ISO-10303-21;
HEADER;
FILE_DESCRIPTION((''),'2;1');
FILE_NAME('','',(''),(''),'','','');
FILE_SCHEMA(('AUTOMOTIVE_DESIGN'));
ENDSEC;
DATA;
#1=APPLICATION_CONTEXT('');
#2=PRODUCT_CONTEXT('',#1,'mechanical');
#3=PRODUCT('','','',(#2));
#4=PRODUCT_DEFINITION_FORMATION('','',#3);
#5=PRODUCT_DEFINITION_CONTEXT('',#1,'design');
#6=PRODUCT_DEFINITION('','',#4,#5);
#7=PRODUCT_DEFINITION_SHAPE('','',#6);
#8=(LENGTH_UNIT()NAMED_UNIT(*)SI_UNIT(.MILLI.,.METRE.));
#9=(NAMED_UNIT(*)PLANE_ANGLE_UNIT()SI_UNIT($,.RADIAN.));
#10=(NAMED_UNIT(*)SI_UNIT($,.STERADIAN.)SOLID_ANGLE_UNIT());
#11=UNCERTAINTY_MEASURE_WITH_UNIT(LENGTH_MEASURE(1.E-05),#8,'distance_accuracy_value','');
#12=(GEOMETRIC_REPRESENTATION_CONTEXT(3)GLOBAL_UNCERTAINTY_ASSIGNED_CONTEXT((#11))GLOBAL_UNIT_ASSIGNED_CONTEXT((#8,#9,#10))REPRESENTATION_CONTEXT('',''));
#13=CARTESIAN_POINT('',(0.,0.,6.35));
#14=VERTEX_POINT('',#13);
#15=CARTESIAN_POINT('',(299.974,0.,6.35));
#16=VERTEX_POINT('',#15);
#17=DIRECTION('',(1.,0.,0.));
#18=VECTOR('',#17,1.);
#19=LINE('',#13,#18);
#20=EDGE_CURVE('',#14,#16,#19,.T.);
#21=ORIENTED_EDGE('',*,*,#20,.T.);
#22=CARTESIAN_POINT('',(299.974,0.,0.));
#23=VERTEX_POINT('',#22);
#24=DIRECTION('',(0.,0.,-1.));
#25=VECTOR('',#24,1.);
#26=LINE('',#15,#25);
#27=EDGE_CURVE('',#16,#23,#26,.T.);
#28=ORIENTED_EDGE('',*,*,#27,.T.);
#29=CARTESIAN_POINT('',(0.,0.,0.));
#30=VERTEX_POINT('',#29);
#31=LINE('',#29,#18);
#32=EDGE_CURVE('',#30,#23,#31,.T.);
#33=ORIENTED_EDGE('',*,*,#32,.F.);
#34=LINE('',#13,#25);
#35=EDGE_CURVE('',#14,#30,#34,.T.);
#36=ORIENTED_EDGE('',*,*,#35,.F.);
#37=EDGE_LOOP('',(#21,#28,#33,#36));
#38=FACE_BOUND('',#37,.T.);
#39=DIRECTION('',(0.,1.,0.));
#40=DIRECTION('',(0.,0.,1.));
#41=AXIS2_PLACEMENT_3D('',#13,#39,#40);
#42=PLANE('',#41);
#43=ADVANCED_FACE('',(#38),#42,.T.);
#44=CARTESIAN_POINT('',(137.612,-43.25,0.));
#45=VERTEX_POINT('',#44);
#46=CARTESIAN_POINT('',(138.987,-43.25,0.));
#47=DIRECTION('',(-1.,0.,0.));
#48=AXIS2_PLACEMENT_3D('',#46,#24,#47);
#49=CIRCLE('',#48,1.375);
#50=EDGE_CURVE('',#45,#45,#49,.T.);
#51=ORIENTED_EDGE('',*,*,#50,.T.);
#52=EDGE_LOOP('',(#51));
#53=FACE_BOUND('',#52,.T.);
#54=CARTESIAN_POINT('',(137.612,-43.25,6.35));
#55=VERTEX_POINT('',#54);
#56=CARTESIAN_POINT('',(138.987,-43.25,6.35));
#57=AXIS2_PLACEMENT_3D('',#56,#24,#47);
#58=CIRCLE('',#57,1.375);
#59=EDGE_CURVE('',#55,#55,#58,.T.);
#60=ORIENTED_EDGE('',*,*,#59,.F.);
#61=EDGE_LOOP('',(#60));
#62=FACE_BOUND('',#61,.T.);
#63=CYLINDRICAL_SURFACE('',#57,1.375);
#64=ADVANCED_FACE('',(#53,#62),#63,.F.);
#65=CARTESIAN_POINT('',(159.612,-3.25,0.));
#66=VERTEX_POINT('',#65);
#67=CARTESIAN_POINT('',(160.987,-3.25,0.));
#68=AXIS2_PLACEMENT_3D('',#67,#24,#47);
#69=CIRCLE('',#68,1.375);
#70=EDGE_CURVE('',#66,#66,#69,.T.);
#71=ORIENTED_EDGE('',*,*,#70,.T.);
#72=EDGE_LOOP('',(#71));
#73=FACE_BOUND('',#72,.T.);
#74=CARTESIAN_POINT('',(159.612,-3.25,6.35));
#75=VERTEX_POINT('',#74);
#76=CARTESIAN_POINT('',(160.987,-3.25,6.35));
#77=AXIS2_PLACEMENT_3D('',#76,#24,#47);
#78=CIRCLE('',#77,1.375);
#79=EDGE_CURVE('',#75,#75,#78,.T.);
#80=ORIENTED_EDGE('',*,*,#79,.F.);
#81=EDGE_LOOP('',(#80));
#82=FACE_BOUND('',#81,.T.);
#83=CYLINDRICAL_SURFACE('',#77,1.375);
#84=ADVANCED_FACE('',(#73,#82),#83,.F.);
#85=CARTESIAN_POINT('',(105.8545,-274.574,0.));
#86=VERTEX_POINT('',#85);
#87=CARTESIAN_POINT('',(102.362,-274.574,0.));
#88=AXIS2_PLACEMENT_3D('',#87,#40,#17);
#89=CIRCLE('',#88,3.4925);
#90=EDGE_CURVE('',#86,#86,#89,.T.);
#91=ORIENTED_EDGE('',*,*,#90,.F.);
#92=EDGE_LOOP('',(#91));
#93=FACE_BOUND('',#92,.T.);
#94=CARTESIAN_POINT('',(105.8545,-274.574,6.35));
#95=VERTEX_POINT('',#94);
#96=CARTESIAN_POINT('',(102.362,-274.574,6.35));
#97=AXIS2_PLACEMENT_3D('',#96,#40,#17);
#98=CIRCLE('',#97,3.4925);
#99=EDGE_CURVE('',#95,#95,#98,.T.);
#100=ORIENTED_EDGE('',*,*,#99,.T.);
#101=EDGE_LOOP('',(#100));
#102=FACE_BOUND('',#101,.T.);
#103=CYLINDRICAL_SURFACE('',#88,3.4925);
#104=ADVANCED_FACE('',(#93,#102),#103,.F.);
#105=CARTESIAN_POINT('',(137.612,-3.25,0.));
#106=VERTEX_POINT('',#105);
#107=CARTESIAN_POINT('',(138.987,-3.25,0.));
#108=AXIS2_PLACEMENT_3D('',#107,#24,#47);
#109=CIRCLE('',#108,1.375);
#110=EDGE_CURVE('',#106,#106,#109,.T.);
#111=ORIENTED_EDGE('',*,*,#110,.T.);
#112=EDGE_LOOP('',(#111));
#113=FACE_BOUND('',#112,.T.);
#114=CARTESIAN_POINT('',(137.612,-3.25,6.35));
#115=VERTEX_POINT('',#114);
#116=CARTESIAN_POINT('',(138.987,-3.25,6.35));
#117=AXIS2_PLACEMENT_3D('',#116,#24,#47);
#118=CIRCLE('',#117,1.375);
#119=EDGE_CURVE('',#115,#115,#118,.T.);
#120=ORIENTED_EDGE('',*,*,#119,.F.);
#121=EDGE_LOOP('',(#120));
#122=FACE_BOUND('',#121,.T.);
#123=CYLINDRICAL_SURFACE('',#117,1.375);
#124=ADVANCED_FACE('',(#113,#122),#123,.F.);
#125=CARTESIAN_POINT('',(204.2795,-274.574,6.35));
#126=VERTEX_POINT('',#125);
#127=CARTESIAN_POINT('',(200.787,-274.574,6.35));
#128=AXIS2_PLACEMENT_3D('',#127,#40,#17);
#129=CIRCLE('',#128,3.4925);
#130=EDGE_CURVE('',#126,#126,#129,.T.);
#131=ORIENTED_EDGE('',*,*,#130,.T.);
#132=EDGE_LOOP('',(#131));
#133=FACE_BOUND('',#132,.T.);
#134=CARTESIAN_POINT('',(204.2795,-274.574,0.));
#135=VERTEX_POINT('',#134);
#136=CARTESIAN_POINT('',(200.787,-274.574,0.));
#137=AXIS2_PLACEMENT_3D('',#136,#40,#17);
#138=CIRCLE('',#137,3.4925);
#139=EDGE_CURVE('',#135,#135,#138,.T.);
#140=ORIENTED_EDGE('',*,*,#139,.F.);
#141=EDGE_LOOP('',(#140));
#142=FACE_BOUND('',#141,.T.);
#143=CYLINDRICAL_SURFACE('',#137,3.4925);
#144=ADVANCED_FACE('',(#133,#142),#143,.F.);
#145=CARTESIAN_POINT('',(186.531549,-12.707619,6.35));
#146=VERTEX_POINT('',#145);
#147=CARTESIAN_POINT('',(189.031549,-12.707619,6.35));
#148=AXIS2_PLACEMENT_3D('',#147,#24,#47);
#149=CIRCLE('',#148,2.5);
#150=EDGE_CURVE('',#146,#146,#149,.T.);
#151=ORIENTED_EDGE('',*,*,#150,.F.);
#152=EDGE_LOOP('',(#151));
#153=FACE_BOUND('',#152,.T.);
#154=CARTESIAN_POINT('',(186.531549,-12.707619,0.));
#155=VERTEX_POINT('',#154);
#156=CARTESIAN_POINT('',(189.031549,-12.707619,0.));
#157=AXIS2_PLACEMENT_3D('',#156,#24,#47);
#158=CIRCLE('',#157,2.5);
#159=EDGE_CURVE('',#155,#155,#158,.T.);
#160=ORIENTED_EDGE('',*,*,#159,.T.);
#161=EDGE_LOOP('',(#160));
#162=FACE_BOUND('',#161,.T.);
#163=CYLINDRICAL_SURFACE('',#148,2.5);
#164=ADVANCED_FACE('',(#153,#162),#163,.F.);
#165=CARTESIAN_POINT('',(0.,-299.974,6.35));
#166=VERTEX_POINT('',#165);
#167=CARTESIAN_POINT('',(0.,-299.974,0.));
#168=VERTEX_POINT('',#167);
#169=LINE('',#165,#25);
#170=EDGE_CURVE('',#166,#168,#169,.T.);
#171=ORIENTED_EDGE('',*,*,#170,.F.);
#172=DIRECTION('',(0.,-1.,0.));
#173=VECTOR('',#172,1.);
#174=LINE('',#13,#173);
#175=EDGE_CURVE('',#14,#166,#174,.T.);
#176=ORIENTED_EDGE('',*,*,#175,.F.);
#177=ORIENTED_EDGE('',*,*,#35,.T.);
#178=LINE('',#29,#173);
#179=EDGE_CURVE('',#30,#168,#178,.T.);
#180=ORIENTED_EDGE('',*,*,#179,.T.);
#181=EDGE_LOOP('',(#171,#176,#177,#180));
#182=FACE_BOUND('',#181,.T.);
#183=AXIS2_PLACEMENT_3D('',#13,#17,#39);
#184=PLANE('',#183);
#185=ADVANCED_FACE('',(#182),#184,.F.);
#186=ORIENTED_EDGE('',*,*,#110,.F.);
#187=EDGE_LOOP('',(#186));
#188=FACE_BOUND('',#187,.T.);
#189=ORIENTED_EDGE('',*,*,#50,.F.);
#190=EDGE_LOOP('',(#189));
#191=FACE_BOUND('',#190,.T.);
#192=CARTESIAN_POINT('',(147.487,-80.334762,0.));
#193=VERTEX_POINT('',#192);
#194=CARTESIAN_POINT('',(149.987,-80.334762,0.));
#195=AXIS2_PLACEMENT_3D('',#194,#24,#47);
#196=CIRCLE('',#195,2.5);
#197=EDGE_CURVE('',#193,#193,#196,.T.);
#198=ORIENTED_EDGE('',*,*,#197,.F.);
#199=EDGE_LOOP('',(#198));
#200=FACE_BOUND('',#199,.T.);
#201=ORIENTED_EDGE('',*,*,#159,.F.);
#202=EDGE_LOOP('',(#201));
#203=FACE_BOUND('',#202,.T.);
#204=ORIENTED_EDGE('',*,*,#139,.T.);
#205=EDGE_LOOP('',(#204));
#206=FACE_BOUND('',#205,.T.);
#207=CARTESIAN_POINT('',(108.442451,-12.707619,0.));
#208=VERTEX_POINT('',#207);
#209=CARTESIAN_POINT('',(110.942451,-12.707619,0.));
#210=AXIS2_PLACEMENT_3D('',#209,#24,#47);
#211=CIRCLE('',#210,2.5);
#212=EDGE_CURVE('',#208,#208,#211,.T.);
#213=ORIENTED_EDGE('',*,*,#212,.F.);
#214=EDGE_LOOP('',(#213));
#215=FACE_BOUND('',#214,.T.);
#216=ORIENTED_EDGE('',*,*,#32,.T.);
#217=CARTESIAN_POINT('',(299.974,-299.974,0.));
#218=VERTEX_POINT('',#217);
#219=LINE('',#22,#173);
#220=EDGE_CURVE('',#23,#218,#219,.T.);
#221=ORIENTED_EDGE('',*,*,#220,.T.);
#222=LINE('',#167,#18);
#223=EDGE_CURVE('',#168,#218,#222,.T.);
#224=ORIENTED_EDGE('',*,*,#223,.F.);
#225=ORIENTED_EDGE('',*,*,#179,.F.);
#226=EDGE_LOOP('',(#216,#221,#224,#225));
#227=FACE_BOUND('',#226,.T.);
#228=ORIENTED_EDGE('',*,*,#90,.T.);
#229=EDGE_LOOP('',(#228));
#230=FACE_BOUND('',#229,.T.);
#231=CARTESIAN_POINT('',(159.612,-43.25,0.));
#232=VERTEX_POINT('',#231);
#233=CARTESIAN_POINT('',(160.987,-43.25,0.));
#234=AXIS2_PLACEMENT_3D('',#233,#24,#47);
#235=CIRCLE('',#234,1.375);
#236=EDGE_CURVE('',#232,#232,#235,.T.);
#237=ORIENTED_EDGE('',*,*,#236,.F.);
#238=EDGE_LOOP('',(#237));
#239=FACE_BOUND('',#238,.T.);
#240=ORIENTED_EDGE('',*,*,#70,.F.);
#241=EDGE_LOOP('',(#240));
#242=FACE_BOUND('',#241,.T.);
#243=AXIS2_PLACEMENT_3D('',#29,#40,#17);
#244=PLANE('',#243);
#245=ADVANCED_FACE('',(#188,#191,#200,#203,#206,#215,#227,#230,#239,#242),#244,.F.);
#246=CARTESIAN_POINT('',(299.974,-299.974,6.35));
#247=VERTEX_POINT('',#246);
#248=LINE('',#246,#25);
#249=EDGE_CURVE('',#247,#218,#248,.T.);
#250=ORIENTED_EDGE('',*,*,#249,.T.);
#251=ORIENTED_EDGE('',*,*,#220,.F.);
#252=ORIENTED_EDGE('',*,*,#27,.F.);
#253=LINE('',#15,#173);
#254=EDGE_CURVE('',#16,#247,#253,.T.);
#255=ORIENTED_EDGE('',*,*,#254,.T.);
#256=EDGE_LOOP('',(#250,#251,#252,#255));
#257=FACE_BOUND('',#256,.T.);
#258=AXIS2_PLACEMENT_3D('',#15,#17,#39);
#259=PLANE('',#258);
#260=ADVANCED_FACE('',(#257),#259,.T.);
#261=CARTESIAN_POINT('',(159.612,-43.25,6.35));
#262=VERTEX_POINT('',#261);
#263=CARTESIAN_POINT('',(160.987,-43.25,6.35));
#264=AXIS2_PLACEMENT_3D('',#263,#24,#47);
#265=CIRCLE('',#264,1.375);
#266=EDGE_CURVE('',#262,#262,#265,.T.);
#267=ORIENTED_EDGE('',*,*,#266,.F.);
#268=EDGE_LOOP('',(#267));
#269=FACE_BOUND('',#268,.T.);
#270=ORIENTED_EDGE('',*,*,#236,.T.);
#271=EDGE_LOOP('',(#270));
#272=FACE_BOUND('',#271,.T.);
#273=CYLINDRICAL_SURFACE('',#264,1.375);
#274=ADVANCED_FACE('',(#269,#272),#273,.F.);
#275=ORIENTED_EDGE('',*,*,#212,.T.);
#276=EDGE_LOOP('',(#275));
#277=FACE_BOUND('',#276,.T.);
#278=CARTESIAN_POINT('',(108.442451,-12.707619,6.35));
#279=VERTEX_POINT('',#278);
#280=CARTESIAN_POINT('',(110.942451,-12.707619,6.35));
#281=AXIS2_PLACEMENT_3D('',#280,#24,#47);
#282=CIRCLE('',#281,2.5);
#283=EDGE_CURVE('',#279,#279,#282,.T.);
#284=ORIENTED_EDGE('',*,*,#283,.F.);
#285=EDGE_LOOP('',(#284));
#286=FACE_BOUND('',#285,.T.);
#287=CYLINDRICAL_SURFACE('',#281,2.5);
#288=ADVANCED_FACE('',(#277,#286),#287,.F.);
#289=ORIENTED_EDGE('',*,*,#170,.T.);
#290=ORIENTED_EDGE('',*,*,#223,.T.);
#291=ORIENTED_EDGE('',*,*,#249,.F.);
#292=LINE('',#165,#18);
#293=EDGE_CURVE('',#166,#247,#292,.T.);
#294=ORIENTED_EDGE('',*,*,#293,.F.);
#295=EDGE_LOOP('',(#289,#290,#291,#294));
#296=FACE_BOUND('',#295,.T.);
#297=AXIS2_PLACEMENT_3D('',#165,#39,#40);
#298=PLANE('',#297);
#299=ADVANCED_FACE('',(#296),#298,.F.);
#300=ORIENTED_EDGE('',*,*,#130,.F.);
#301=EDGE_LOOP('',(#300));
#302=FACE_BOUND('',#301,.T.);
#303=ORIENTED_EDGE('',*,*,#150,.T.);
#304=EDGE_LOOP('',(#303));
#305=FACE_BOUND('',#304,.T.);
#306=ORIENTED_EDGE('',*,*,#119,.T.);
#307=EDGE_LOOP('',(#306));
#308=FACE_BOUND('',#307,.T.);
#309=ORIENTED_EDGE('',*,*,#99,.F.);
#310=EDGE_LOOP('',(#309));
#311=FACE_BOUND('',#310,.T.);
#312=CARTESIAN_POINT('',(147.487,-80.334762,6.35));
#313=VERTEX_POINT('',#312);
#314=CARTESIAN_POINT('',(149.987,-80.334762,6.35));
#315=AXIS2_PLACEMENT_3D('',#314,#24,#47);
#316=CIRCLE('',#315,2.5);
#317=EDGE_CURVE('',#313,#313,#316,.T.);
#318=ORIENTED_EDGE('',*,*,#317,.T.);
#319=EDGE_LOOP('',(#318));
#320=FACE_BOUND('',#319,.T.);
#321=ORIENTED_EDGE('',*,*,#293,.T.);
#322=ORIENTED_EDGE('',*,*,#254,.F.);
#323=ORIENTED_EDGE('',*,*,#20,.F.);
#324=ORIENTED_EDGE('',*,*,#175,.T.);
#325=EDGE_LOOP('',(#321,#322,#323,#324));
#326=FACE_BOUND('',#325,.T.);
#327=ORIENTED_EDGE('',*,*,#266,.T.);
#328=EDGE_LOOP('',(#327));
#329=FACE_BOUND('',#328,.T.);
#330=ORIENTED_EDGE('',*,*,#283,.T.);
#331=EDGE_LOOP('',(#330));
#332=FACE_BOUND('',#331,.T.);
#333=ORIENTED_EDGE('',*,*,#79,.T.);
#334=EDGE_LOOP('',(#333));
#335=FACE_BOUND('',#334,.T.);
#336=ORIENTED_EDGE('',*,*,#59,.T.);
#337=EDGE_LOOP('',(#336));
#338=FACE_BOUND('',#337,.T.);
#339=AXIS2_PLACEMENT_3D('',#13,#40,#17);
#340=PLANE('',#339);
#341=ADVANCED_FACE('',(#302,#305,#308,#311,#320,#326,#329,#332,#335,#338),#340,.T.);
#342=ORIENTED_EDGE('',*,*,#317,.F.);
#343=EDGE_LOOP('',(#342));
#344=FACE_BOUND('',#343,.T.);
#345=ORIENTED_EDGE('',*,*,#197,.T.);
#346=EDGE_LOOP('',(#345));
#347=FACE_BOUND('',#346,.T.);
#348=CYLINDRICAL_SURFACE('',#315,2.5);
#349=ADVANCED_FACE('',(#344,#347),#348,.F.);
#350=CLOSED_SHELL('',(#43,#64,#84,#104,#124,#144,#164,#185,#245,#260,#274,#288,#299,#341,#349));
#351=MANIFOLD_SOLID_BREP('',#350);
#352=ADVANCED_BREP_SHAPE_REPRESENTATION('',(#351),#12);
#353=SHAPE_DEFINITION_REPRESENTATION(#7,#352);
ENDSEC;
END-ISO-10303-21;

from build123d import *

# Parameters (mm, degrees)
SKETCH1_W           = 299.974
SKETCH1_H           = 299.974
BOSS_EXTRUDE1_DEPTH = 6.35
SKETCH3_R           = 1.375
CUT_EXTRUDE1_DEPTH  = 425.274821138
SKETCH4_R           = 2.5
CUT_EXTRUDE2_DEPTH  = 425.274821138
SKETCH5_R           = 3.4925
CUT_EXTRUDE3_DEPTH  = 425.274821138


with BuildPart() as part:
    # Sketch1 → Boss-Extrude1 (new body)
    with BuildSketch(Plane.XY):
        with Locations((149.987, -149.987)):
            Rectangle(SKETCH1_W, SKETCH1_H)
    extrude(amount=BOSS_EXTRUDE1_DEPTH)

    # Sketch3 → Cut-Extrude1 (cut, through all)
    with BuildSketch(Plane(origin=(0, 0, 0), x_dir=(-1, 0, 0), z_dir=(0, 0, -1))):
        with Locations((-160.987, -3.25)):
            Circle(SKETCH3_R)
        with Locations((-138.987, -3.25)):
            Circle(SKETCH3_R)
        with Locations((-138.987, -43.25)):
            Circle(SKETCH3_R)
        with Locations((-160.987, -43.25)):
            Circle(SKETCH3_R)
    extrude(amount=-CUT_EXTRUDE1_DEPTH, mode=Mode.SUBTRACT)

    # Sketch4 → Cut-Extrude2 (cut, through all)
    with BuildSketch(Plane(origin=(0, 0, 0), x_dir=(-1, 0, 0), z_dir=(0, 0, -1))):
        with Locations((-189.031549179, -12.707619021)):
            Circle(SKETCH4_R)
        with Locations((-110.942450821, -12.707619021)):
            Circle(SKETCH4_R)
        with Locations((-149.987, -80.334761958)):
            Circle(SKETCH4_R)
    extrude(amount=-CUT_EXTRUDE2_DEPTH, mode=Mode.SUBTRACT)

    # Sketch5 → Cut-Extrude3 (cut, through all)
    with BuildSketch(Plane.XY.offset(6.35)):
        with Locations((200.787, -274.574)):
            Circle(SKETCH5_R)
        with Locations((102.362, -274.574)):
            Circle(SKETCH5_R)
    extrude(amount=-CUT_EXTRUDE3_DEPTH, mode=Mode.SUBTRACT)


solid = part.part
